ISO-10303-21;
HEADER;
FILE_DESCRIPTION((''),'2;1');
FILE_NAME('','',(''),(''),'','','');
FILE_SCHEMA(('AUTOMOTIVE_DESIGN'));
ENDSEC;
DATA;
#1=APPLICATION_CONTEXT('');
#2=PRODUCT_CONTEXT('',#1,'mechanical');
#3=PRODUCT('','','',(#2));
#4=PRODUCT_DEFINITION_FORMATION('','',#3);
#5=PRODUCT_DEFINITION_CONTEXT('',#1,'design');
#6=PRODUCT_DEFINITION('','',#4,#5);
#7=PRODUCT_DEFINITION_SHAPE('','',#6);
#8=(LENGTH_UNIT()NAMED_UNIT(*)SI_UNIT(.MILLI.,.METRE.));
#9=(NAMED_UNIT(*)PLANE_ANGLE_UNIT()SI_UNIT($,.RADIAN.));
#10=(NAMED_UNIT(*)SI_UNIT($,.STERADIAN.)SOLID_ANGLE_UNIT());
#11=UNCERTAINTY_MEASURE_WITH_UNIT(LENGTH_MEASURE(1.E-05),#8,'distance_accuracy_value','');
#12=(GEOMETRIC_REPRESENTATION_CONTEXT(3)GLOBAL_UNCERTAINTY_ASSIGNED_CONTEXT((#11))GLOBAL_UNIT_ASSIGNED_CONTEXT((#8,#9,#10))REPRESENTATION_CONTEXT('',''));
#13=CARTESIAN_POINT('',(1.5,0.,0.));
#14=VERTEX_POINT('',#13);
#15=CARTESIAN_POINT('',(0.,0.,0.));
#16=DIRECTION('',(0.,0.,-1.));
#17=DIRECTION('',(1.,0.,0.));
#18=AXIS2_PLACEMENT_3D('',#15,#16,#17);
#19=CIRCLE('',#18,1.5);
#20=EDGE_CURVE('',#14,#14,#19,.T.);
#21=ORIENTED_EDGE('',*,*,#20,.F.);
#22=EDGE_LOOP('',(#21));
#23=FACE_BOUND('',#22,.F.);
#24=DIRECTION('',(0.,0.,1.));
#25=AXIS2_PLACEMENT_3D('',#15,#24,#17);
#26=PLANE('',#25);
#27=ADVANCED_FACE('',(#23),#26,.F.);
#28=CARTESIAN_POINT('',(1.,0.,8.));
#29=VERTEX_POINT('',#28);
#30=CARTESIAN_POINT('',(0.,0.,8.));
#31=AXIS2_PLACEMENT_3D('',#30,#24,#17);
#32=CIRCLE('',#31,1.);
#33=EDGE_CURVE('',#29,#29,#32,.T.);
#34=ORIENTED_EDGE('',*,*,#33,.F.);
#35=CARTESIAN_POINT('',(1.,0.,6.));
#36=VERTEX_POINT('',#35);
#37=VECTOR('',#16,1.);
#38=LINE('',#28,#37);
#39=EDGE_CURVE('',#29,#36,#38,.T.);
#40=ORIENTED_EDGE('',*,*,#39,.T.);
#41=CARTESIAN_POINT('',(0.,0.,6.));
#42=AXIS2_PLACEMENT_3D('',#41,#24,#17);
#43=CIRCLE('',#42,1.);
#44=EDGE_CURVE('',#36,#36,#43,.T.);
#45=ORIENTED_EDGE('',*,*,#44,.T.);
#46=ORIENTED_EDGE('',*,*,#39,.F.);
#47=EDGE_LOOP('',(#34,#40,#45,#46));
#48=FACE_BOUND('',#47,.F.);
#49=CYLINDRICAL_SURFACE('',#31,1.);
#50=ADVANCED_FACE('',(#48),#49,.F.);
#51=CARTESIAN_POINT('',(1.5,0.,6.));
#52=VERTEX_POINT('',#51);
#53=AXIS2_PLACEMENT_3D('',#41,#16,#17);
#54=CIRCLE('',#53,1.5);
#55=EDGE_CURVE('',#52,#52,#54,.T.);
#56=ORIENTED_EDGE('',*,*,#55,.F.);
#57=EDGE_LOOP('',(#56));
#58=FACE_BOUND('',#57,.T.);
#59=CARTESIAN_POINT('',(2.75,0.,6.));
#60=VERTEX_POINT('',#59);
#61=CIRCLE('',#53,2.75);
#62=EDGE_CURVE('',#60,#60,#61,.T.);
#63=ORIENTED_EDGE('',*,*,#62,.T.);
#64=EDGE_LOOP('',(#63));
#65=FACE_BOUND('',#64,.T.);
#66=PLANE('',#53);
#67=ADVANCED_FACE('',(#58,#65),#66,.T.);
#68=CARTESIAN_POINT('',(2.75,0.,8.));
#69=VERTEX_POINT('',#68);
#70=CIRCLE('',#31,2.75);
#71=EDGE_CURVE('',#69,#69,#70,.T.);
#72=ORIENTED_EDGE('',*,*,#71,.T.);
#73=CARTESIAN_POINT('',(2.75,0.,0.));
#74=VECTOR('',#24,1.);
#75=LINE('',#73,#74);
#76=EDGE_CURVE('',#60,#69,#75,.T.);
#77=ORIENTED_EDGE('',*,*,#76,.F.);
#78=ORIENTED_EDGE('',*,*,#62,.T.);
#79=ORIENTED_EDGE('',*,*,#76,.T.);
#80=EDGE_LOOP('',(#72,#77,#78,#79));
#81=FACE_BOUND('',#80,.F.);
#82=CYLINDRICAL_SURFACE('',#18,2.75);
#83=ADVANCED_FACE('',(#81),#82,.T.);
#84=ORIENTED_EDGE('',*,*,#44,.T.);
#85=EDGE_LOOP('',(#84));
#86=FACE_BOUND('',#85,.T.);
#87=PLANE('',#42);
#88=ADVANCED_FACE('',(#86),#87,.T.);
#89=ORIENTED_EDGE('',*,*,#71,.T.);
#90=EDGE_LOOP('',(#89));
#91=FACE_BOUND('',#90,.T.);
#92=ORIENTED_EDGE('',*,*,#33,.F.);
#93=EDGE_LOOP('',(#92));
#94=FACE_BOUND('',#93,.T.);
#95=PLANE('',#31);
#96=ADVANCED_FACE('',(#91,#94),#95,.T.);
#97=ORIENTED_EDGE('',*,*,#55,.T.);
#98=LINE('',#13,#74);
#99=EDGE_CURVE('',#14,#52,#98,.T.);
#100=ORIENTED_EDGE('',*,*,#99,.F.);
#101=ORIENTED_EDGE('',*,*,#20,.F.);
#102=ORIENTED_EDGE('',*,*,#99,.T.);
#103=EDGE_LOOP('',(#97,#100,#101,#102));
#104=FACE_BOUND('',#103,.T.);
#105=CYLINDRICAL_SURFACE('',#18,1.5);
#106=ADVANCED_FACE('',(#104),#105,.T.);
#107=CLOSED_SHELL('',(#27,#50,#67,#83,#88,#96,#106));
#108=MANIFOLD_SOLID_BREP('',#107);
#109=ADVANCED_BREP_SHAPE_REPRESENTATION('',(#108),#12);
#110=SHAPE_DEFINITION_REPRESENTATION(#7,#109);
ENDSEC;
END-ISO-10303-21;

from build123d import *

# Parameters (mm, degrees)
F0_R     = 2.75
F1_DEPTH = 8
F2_R     = 2.75
F2_R_2   = 1.5
F3_DEPTH = 6
F4_R     = 1
F5_DEPTH = 2


with BuildPart() as f1:
    # F0 (on Top) → F1 (new body)
    with BuildSketch(Plane.XY):
        Circle(F0_R)
    extrude(amount=F1_DEPTH)

    # F2 (on face) → F3 (cut)
    with BuildSketch(Plane(origin=(0, 0, 0), x_dir=(1, 0, 0), z_dir=(0, 0, -1))):
        Circle(F2_R)
        Circle(F2_R_2, mode=Mode.SUBTRACT)
    extrude(amount=-F3_DEPTH, mode=Mode.SUBTRACT)

    # F4 (on face) → F5 (cut)
    with BuildSketch(Plane.XY.offset(8)):
        Circle(F4_R)
    extrude(amount=-F5_DEPTH, mode=Mode.SUBTRACT)


solid = f1.part
